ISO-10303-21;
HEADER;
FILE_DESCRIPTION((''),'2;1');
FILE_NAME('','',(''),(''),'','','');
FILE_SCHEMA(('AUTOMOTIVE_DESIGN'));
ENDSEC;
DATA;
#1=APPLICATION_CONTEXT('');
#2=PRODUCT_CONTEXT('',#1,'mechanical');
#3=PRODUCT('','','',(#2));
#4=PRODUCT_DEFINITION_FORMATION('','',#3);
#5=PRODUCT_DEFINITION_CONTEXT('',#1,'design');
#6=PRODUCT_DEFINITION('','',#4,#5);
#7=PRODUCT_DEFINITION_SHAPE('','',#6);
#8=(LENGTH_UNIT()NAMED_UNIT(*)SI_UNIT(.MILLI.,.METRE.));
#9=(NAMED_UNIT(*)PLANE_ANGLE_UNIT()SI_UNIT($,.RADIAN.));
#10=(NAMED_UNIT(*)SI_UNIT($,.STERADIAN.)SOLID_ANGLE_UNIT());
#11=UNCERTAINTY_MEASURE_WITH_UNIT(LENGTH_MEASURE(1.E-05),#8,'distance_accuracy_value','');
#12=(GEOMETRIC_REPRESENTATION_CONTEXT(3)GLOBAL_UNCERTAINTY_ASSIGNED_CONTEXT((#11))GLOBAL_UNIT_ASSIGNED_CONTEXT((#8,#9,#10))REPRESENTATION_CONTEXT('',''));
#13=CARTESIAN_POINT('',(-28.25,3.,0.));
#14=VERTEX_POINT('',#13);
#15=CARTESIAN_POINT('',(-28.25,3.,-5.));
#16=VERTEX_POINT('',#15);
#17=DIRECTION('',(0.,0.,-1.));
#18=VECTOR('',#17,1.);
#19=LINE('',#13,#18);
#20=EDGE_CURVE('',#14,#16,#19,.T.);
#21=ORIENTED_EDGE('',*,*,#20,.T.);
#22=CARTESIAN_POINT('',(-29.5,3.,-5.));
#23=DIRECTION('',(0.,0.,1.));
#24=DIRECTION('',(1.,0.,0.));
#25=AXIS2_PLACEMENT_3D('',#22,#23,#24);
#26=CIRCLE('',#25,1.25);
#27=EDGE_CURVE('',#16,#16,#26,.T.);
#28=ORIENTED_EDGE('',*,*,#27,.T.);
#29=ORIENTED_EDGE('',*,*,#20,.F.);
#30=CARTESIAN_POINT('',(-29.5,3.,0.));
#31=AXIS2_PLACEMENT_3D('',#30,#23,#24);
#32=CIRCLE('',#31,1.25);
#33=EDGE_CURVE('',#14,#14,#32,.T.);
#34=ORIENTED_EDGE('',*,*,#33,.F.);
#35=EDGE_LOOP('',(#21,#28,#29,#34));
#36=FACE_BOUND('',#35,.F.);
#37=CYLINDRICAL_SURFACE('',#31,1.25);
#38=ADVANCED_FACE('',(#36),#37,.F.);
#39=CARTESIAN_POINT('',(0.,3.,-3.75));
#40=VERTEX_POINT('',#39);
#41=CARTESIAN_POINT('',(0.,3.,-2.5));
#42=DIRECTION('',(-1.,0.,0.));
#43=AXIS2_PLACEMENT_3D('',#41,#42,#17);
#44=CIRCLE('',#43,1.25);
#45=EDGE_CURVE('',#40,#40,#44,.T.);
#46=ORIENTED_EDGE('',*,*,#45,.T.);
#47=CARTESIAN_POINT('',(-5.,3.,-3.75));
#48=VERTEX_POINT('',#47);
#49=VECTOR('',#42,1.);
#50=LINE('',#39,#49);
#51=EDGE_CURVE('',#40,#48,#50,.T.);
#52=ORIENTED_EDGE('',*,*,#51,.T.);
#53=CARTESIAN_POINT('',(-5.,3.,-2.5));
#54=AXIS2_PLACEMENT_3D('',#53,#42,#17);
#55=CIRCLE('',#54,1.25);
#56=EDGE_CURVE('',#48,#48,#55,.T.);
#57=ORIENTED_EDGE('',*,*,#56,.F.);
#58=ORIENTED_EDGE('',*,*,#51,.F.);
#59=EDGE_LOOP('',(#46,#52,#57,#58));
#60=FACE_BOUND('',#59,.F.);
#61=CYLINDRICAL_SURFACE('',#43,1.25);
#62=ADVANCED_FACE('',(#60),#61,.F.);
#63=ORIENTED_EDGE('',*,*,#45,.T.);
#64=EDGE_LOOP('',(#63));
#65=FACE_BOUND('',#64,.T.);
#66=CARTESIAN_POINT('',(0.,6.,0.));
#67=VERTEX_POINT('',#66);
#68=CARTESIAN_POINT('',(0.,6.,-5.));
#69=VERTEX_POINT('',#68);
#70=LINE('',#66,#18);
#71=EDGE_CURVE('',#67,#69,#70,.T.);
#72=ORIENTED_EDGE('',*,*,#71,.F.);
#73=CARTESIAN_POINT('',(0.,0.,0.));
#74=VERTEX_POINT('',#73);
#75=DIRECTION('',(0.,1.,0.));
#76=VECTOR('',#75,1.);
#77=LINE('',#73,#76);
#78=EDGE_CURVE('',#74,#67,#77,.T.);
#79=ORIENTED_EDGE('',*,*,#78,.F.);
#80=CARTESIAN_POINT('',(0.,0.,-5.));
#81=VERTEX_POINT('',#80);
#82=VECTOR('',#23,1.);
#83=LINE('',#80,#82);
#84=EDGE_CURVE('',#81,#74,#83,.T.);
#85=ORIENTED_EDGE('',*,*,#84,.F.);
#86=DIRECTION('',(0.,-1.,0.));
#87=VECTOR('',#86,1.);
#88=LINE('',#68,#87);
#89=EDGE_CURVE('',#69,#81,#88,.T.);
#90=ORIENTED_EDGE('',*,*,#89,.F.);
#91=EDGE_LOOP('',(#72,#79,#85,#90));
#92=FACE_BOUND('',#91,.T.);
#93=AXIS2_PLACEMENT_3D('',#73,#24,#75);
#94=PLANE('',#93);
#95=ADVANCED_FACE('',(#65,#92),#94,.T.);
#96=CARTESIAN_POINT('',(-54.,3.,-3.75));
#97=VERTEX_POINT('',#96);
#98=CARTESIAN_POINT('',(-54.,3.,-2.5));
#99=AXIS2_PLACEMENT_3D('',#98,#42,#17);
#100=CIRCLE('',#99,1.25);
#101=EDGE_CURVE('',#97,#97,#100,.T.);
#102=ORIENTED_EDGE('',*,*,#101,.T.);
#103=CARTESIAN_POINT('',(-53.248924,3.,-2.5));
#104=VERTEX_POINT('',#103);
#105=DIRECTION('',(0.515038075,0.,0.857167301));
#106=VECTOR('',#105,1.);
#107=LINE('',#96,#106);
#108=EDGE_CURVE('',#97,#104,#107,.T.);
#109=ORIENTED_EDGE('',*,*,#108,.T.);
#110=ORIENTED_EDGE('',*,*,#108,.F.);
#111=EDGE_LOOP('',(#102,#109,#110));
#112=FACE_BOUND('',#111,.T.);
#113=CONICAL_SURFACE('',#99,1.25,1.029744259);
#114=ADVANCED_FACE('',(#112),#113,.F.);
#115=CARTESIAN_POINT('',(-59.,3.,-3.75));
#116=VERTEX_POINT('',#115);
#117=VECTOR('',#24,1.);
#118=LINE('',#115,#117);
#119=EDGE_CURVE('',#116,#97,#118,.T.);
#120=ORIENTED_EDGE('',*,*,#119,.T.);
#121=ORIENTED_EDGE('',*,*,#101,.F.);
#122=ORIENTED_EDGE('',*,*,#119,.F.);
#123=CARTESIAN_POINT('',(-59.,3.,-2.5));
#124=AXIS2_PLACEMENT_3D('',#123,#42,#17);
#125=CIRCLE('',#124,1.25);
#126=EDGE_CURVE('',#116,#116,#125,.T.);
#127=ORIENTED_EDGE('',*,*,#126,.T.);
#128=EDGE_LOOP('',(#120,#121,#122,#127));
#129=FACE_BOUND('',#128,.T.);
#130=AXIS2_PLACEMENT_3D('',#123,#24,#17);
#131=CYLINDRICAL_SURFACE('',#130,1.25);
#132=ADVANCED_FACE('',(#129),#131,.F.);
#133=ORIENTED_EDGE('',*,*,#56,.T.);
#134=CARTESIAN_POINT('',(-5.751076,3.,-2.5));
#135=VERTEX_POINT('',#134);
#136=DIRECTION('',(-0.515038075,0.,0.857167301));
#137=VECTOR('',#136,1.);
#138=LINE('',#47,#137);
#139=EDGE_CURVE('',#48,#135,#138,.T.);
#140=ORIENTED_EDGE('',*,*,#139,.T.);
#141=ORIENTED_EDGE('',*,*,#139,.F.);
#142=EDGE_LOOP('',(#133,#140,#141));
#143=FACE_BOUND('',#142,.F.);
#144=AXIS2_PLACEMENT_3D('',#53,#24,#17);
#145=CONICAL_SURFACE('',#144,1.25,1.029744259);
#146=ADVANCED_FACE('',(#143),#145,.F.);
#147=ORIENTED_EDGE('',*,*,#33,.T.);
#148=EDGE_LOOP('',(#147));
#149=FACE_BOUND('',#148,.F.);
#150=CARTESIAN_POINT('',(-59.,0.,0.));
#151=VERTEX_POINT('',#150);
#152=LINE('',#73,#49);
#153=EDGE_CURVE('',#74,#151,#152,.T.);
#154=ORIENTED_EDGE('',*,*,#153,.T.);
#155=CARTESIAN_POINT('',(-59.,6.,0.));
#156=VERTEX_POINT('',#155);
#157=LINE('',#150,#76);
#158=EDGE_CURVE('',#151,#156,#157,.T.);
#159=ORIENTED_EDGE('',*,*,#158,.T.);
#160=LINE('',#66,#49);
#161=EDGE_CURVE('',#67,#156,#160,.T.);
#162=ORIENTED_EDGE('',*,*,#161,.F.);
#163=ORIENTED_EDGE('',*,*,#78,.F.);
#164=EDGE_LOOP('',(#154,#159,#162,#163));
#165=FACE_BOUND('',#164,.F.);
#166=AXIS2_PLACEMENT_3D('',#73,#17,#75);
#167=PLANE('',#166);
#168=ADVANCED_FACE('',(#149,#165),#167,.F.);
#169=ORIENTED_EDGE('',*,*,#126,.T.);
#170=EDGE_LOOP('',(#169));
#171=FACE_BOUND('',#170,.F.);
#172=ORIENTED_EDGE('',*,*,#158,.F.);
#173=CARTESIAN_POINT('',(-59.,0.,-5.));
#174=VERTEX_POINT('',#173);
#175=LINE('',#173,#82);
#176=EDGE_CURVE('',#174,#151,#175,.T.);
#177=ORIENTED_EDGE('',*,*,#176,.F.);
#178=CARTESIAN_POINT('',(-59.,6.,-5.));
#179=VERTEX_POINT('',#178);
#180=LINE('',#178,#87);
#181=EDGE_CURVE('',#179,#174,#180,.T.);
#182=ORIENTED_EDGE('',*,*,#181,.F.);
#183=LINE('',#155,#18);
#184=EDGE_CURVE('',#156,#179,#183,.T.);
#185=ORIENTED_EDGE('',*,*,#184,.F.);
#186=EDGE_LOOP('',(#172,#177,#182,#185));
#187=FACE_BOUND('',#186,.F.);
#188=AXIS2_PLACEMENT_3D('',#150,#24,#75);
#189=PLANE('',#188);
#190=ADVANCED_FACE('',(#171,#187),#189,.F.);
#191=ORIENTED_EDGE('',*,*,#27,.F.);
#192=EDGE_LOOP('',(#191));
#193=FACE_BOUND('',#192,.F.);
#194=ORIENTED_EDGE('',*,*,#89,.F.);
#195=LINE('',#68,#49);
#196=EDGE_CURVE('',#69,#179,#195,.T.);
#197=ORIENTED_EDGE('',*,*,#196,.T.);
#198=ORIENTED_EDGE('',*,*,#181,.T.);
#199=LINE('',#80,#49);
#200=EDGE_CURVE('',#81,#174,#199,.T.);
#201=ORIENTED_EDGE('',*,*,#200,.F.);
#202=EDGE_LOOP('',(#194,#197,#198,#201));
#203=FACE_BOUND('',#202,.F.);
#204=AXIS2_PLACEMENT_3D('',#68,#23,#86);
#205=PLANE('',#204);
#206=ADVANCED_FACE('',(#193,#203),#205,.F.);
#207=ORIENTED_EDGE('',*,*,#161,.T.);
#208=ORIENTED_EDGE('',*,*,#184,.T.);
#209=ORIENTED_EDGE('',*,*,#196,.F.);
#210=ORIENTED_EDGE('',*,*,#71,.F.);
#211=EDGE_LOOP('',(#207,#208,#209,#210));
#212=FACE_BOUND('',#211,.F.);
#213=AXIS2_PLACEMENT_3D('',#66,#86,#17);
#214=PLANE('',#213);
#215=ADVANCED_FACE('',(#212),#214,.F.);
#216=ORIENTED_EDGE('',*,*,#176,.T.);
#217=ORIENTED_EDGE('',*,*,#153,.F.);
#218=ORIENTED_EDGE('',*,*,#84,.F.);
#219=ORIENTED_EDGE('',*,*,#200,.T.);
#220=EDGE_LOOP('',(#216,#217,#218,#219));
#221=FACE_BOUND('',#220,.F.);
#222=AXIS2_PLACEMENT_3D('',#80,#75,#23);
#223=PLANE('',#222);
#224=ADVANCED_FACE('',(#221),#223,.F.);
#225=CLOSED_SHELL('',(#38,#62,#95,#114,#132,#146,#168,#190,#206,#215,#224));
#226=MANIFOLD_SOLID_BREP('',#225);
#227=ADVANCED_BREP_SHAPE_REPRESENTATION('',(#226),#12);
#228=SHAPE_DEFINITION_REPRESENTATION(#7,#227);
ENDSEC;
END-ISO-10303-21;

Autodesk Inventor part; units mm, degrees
ref_plane "YZ Plane" through (0, 0, 0) normal (1, 0, 0) x (0, 1, 0)
ref_plane "XZ Plane" through (0, 0, 0) normal (0, 1, 0) x (-1, 0, 0)
sketch "スケッチ1" plane through (0, 0, 0) normal (1, 0, 0) x (0, 1, 0)
  line L0 (0, 0) -> (6, 0)
  line L1 (6, 0) -> (6, -5)
  line L2 (6, -5) -> (0, -5)
  line L3 (0, -5) -> (0, 0)
  point P0 (3, -2.5)
  dimension "d0" = 6
  dimension "d1" = 5
  dimension "d2" = 3
  dimension "d3" = 2.5
extrude "押し出し1" add sketch "スケッチ1" against normal blind 59
ref_plane "作業平面1" through (-29.5, 0, 0) normal (1, 0, 0) x (0, 0, -1)
hole "穴1" at (0, 3, -2.5) direction (-1, 0, 0) diameter 2.5 depth 5 tip angle 118
mirror "ミラー1" about plane through (-29.5, 0, 0) normal (1, 0, 0) of "穴1"
sketch "スケッチ2" plane through (0, 0, 0) normal (0, 0, 1) x (1, 0, 0)
  circle A0 centre (-29.5, 3) radius 1.25
  line L0 (0, 6) -> (-59, 6) projected
  line L1 (0, 6) -> (0, 0) projected
  dimension "d14" = 2.5
  dimension "d15" = 3
  dimension "d16" = 29.5
extrude "押し出し2" cut sketch "スケッチ2" against normal blind 59
properties part number "belt_liner_v2_Plate_7" material "アルミニウム 6061"
